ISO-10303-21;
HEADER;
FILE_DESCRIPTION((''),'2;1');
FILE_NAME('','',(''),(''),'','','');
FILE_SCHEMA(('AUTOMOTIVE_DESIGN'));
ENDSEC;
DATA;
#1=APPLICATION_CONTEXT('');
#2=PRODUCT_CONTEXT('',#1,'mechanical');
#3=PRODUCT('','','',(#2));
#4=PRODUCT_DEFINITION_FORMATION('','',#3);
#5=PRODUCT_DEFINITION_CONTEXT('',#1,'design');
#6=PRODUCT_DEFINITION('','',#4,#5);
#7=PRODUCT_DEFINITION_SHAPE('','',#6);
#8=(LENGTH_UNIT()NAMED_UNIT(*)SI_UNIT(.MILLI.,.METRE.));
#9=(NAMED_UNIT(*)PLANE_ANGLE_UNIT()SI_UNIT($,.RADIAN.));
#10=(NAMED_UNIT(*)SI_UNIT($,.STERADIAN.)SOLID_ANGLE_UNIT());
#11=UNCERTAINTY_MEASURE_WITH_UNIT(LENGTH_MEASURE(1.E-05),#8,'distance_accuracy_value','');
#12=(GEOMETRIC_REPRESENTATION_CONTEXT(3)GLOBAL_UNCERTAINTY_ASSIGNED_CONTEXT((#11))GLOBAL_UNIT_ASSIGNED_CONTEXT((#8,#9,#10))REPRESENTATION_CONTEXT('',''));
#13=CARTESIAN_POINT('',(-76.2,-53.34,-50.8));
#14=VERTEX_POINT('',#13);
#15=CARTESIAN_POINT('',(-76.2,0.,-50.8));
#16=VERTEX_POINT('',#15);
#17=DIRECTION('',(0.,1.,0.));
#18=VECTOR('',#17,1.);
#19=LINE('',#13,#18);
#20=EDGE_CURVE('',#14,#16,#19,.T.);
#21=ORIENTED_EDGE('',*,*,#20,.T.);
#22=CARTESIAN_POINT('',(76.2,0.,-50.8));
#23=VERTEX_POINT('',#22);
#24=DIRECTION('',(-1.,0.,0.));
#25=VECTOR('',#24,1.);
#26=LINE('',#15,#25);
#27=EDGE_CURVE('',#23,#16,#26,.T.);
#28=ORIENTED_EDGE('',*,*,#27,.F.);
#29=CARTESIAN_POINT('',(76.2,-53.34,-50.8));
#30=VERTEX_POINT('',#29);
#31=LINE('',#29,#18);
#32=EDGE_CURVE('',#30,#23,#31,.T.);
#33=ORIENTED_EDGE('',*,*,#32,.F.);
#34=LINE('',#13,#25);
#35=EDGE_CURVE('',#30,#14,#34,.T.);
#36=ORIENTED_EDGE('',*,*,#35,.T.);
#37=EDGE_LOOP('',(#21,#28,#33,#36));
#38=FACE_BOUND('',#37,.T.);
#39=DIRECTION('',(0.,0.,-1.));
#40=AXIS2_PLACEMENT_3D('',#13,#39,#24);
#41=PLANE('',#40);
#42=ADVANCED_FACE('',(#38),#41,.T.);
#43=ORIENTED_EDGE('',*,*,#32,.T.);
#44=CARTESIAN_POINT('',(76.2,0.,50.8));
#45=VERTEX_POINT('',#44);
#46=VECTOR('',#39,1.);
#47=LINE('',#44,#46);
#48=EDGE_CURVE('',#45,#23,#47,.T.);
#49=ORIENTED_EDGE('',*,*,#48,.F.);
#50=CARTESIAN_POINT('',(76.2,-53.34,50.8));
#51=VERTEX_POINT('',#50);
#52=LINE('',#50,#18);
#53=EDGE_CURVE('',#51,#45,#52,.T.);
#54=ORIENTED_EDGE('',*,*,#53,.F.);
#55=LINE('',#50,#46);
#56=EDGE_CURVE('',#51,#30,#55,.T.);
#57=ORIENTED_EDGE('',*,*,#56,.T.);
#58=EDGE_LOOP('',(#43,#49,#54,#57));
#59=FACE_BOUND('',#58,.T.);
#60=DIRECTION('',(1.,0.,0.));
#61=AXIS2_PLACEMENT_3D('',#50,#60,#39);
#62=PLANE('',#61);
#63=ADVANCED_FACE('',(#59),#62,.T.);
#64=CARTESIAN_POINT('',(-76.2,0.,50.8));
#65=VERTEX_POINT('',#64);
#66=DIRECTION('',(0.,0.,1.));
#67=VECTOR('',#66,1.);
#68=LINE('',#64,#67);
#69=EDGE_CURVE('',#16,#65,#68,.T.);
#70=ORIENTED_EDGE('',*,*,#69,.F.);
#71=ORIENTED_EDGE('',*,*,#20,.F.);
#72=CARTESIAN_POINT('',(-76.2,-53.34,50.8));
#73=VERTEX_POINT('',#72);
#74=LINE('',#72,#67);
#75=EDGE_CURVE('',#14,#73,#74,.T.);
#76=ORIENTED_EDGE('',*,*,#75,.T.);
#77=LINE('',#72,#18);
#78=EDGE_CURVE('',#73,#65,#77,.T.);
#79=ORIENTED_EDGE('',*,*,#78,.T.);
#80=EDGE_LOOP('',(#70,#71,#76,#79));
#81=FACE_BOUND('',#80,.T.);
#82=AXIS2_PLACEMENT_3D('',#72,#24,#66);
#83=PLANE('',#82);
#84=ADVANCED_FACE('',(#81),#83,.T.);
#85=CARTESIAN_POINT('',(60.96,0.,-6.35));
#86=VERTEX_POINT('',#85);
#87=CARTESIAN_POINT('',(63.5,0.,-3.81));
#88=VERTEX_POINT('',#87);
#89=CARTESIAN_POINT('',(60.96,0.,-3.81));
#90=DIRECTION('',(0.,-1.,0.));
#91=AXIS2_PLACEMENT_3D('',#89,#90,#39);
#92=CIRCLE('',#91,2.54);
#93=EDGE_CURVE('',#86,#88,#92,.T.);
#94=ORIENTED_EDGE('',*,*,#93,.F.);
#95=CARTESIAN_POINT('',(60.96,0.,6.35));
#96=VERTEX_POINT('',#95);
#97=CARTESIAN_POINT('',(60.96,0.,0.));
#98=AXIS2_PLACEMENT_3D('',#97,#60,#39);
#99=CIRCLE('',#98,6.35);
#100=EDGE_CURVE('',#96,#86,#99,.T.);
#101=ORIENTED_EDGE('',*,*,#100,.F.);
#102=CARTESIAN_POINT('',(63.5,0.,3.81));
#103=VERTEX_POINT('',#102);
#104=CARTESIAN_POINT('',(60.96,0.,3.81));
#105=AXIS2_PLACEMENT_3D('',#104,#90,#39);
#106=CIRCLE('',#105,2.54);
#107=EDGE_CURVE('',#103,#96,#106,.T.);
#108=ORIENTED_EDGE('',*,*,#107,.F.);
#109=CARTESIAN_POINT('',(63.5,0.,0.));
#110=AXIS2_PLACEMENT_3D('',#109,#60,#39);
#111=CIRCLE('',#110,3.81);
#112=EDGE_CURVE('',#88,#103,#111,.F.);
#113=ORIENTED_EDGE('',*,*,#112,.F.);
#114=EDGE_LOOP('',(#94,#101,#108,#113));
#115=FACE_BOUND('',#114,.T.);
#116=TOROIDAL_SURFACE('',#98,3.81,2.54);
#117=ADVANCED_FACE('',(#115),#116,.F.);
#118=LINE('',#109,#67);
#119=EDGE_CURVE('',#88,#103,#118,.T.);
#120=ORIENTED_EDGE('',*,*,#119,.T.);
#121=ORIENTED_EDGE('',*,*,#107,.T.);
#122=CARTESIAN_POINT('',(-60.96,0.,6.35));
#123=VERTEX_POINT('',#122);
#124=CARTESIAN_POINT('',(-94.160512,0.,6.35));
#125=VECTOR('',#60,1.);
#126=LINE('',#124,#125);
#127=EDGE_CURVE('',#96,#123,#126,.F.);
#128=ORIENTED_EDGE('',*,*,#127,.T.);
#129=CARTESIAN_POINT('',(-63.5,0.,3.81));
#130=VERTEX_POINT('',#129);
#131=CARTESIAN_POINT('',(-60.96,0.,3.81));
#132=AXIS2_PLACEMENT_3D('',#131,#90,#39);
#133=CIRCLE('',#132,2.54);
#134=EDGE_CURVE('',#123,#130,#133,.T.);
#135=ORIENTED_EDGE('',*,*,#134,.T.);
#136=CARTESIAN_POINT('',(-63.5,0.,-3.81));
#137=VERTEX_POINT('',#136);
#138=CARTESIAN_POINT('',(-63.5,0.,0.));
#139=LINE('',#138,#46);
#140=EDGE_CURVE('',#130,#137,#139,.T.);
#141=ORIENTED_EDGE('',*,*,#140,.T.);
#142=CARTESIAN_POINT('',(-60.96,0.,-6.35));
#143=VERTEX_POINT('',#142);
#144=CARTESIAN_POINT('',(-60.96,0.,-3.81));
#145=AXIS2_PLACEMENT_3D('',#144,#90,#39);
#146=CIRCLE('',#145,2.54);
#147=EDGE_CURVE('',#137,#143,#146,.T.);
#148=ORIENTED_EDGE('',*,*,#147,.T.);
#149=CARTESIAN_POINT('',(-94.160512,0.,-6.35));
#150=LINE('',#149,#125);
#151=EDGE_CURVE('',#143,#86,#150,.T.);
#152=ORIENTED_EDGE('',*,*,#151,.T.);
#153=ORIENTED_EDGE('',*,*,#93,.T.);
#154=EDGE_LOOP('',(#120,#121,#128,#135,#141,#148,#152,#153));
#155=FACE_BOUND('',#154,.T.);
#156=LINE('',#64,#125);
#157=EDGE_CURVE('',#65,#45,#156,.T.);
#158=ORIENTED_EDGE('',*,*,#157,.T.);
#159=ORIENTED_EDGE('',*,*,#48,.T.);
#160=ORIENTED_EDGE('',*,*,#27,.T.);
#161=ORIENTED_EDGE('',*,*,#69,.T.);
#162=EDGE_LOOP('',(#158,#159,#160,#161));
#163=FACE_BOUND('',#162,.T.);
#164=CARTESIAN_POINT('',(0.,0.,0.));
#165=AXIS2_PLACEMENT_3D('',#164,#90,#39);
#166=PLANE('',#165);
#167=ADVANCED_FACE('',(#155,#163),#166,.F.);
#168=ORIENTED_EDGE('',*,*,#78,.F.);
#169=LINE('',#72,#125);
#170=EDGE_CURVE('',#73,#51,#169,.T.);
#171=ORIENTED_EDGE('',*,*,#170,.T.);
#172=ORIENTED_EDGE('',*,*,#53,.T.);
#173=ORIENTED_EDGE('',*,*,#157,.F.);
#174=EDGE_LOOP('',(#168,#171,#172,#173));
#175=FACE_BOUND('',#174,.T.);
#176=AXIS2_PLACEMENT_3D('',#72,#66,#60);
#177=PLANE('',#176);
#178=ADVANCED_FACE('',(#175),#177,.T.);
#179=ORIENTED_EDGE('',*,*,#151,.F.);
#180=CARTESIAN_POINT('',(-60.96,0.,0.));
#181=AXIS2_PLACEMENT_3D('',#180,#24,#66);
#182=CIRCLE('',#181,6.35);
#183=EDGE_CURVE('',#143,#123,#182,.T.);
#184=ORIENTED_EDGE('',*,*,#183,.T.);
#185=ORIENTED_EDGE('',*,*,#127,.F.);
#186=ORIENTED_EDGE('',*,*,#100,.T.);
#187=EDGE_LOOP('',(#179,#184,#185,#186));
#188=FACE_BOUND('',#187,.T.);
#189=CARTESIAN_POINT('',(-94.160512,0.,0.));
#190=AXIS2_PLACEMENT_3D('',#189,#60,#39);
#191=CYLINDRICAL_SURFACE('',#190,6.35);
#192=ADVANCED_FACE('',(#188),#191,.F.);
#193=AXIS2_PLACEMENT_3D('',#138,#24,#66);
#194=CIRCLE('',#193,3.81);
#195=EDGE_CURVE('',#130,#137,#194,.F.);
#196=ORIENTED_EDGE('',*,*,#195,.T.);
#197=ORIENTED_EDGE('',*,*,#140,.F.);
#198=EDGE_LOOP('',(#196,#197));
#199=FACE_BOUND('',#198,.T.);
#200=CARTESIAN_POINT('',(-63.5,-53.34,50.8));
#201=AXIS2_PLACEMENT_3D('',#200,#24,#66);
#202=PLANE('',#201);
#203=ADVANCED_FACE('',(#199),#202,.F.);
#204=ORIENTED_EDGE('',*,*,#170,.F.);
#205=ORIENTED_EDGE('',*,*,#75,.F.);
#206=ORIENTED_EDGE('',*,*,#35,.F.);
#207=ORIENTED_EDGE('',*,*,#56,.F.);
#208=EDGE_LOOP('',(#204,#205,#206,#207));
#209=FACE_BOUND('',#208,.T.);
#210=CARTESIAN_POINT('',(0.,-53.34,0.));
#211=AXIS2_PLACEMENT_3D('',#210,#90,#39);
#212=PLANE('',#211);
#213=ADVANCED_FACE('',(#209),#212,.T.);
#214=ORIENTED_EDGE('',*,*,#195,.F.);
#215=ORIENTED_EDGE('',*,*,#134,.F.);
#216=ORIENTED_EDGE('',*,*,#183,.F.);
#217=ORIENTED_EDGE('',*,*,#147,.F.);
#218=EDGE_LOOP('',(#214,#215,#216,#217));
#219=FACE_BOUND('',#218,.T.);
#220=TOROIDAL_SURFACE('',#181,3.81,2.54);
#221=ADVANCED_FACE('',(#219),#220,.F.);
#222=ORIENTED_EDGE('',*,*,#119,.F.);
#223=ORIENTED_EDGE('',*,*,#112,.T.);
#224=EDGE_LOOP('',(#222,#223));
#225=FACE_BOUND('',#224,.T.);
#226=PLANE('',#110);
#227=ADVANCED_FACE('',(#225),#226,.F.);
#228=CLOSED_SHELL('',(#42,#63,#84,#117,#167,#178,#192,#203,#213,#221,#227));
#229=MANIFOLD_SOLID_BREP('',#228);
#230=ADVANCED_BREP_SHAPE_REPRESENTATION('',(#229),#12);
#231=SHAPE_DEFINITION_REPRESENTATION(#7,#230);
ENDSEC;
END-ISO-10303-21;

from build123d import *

# Parameters (mm, degrees)
SKETCH1_W           = 152.4
SKETCH1_H           = 101.6
BOSS_EXTRUDE1_DEPTH = 53.34
CUT_EXTRUDE1_START  = -12.7
SKETCH2_R           = 6.35
CUT_EXTRUDE1_DEPTH  = 127
FILLET2_R           = 2.54


with BuildPart() as part:
    # Sketch1 → Boss-Extrude1 (new body)
    with BuildSketch(Plane(origin=(0, 0, 0), x_dir=(1, 0, 0), z_dir=(0, 1, 0))):
        Rectangle(SKETCH1_W, SKETCH1_H)
    extrude(amount=-BOSS_EXTRUDE1_DEPTH)

    # Sketch2 → Cut-Extrude1 (cut)
    with BuildSketch(Plane(origin=(76.2, 0, 0), x_dir=(0, 0, -1), z_dir=(1, 0, 0)).offset(CUT_EXTRUDE1_START)):
        Circle(SKETCH2_R)
    extrude(amount=-CUT_EXTRUDE1_DEPTH, mode=Mode.SUBTRACT)

    # Fillet2
    fillet2_edges = [part.edges().sort_by_distance(p)[0] for p in [
        (63.5, -6.35, 0),
        (-63.5, -6.35, 0),
    ]]
    fillet(fillet2_edges, radius=FILLET2_R)


solid = part.part
